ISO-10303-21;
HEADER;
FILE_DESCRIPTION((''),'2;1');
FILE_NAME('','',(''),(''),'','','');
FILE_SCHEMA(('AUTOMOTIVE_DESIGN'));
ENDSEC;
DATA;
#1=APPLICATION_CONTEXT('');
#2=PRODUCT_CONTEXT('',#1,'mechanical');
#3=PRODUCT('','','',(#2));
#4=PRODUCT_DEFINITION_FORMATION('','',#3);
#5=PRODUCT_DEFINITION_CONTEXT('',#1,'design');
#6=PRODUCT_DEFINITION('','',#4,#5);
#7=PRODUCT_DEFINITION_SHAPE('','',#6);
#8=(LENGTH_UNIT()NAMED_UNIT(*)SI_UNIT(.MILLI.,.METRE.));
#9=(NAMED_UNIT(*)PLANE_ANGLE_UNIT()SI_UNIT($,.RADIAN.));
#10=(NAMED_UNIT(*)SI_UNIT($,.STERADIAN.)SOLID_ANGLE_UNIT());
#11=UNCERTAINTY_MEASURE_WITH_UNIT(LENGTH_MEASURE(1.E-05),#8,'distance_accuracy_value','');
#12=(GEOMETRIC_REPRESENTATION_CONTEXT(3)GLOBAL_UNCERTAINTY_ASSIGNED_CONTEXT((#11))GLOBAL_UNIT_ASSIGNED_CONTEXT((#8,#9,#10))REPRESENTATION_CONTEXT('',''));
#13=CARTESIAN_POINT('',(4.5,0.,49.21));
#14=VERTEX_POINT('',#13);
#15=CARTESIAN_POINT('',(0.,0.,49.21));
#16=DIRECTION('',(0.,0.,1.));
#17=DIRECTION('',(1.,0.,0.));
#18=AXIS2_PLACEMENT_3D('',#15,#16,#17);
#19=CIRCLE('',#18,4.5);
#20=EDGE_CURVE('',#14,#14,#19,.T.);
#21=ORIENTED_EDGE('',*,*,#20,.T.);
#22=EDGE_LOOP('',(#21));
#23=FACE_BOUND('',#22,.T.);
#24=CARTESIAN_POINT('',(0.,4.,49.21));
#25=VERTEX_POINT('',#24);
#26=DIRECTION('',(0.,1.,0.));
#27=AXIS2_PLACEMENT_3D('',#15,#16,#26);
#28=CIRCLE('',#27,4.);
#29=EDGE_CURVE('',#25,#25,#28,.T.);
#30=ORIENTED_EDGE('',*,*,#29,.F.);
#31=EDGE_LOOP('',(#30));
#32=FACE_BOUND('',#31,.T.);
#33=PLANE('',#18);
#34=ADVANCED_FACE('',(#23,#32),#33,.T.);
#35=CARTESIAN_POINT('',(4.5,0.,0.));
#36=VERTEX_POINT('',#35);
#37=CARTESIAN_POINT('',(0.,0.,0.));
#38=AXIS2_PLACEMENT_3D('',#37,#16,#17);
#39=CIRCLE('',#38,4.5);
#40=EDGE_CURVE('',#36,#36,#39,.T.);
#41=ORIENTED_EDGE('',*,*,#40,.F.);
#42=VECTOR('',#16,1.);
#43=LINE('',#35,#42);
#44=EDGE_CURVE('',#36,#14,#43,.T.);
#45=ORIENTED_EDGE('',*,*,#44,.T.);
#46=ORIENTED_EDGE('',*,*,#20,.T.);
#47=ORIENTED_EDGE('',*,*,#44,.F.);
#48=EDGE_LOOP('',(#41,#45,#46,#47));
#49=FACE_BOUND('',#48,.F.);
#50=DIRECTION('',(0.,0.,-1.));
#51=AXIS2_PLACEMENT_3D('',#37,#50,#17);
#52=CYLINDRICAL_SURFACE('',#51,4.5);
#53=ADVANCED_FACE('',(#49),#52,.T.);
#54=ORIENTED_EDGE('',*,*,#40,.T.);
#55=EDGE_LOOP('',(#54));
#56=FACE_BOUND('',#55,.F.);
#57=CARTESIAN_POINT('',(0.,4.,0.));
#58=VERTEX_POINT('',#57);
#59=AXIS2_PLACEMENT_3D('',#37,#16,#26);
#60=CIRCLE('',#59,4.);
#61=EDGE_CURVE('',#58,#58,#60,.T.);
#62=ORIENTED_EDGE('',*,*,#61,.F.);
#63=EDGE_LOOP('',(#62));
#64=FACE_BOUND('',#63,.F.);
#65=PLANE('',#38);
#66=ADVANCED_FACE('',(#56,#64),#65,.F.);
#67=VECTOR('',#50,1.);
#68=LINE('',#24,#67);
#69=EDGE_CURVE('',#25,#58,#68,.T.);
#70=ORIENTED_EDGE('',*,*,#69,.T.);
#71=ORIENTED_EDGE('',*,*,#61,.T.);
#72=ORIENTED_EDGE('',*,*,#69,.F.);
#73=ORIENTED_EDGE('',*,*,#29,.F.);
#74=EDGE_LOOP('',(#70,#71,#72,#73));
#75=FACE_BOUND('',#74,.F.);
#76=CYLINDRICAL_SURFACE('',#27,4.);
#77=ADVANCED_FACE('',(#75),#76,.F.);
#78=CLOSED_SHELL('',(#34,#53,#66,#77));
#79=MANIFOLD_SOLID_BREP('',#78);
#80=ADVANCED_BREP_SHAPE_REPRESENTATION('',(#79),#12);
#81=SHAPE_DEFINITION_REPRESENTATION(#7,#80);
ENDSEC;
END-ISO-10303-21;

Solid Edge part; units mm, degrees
sketch "Sketch1" plane through (0, 0, 0) normal (0, 0, 1) x (1, 0, 0)
  circle A0 centre (0, 0) radius 4.5
extrude "Protrusion1" add sketch "Sketch1" along normal blind 49.21
sketch "Sketch2" plane through (0, 0, 49.21) normal (0, 0, 1) x (0, 1, 0)
  circle A0 centre (0, 0) radius 4
extrude "VaciadoExtruido_1" cut sketch "Sketch2" against normal blind 52.827
properties material "Aluminum Alloy:3.0505 , AlMn0.5Mg0.6,  EN-AW 3105"
